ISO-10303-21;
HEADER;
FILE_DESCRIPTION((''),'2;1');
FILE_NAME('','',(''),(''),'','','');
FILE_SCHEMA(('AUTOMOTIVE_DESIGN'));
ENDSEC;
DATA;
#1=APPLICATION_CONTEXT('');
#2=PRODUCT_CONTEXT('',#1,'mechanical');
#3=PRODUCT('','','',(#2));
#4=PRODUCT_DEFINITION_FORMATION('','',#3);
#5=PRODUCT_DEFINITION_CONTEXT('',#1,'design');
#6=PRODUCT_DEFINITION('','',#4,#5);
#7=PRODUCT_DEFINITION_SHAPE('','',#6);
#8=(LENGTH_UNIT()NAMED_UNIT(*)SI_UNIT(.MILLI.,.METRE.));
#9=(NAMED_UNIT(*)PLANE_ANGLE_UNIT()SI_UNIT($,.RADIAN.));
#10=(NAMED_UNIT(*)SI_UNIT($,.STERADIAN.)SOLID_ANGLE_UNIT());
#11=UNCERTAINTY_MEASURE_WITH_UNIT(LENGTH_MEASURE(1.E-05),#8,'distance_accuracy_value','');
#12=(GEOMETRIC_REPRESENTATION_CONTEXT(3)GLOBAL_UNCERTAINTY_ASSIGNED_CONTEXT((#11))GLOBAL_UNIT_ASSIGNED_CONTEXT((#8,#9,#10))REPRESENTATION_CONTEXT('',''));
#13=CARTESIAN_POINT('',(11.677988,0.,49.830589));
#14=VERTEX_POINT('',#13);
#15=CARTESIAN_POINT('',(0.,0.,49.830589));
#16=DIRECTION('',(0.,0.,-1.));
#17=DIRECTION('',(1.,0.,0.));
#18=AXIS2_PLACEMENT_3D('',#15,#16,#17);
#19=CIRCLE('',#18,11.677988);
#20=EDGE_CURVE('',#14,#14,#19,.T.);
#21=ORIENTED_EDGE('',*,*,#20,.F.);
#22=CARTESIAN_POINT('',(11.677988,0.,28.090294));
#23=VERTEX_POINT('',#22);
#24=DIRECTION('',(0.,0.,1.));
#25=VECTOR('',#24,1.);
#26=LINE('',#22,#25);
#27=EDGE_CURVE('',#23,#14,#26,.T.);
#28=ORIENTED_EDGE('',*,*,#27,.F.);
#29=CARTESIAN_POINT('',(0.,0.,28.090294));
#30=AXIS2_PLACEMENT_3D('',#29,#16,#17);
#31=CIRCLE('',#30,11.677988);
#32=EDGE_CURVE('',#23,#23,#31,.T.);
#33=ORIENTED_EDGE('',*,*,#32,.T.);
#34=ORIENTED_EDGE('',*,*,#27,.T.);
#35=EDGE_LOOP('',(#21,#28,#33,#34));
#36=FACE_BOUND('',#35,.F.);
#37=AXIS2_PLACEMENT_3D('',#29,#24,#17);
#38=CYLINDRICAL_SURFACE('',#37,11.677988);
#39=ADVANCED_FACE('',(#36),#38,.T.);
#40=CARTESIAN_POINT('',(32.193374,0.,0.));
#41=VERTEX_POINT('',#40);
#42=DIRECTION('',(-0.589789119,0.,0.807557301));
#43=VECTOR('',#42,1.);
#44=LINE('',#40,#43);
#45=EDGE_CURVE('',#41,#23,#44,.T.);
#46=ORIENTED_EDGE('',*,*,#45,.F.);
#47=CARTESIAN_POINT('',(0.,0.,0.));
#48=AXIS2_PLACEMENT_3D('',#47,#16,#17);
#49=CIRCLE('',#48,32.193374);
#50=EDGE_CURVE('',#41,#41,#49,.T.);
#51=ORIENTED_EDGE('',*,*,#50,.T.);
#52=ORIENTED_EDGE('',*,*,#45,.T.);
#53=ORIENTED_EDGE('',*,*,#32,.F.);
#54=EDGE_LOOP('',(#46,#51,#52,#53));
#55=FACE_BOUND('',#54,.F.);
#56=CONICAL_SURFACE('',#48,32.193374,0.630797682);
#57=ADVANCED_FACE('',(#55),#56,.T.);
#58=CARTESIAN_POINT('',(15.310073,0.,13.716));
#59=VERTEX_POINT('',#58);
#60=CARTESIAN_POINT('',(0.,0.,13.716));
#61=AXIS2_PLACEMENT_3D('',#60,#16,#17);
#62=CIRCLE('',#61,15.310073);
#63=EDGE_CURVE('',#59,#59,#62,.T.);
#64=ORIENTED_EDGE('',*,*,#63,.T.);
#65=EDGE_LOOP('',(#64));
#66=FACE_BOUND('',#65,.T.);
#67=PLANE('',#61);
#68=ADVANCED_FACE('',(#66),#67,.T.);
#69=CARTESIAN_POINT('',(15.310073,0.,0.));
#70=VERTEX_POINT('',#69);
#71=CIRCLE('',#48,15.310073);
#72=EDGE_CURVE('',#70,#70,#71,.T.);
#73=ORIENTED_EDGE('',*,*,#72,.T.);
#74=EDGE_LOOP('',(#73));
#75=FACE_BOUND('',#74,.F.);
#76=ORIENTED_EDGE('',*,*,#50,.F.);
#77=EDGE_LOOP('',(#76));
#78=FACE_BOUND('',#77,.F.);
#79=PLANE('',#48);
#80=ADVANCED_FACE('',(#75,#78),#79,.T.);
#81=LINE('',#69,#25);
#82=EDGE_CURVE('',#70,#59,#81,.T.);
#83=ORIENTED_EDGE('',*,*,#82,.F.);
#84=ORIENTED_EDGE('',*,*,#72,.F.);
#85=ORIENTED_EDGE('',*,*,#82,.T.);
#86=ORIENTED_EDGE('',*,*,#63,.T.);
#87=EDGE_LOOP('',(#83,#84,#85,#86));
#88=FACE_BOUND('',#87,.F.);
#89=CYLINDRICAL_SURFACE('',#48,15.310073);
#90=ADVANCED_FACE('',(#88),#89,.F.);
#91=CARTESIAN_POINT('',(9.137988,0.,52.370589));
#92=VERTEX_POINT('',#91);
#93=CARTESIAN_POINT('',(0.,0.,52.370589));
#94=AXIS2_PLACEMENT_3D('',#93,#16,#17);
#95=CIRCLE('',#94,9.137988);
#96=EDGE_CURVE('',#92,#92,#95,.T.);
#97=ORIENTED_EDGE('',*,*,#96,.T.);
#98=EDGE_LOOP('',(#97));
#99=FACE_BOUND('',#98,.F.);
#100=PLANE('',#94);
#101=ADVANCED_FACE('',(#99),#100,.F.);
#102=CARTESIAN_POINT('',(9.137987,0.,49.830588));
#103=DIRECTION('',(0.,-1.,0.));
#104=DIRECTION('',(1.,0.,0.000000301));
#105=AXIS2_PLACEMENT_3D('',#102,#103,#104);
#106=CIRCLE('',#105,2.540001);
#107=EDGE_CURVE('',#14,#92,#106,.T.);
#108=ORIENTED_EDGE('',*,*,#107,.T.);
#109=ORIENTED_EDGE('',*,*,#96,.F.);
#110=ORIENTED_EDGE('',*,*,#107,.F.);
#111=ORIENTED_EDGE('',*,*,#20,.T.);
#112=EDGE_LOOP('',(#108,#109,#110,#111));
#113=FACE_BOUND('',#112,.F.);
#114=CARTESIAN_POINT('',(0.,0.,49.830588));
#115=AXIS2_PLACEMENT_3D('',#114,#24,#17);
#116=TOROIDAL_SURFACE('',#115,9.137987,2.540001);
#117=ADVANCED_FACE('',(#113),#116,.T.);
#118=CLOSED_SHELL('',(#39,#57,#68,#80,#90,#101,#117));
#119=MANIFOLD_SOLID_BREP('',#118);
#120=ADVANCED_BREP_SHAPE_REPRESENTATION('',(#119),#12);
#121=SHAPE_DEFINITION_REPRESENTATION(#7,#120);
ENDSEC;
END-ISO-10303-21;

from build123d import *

# Parameters (mm, degrees)
F2_R     = 15.310073
F3_DEPTH = 13.716


with BuildPart() as f1:
    # F0 (on Front) → F1 (revolve)
    with BuildSketch(Plane.XZ):
        with BuildLine():
            Line((0, 52.370589), (0, 0))
            Line((0, 0), (32.193374, 0))
            Line((32.193374, 0), (11.677988, 28.090294))
            Line((11.677988, 28.090294), (11.677988, 49.830589))
            ThreePointArc((11.677988, 49.830589), (10.934039, 51.62664), (9.137988, 52.370589))
            Line((9.137988, 52.370589), (0, 52.370589))
        make_face()
    revolve(axis=Axis((0, 0, 26.185294), (0, 0, -1)))

    # F2 (on face) → F3 (cut)
    with BuildSketch(Plane(origin=(0, 0, 0), x_dir=(1, 0, 0), z_dir=(0, 0, -1))):
        Circle(F2_R)
    extrude(amount=-F3_DEPTH, mode=Mode.SUBTRACT)


solid = f1.part
